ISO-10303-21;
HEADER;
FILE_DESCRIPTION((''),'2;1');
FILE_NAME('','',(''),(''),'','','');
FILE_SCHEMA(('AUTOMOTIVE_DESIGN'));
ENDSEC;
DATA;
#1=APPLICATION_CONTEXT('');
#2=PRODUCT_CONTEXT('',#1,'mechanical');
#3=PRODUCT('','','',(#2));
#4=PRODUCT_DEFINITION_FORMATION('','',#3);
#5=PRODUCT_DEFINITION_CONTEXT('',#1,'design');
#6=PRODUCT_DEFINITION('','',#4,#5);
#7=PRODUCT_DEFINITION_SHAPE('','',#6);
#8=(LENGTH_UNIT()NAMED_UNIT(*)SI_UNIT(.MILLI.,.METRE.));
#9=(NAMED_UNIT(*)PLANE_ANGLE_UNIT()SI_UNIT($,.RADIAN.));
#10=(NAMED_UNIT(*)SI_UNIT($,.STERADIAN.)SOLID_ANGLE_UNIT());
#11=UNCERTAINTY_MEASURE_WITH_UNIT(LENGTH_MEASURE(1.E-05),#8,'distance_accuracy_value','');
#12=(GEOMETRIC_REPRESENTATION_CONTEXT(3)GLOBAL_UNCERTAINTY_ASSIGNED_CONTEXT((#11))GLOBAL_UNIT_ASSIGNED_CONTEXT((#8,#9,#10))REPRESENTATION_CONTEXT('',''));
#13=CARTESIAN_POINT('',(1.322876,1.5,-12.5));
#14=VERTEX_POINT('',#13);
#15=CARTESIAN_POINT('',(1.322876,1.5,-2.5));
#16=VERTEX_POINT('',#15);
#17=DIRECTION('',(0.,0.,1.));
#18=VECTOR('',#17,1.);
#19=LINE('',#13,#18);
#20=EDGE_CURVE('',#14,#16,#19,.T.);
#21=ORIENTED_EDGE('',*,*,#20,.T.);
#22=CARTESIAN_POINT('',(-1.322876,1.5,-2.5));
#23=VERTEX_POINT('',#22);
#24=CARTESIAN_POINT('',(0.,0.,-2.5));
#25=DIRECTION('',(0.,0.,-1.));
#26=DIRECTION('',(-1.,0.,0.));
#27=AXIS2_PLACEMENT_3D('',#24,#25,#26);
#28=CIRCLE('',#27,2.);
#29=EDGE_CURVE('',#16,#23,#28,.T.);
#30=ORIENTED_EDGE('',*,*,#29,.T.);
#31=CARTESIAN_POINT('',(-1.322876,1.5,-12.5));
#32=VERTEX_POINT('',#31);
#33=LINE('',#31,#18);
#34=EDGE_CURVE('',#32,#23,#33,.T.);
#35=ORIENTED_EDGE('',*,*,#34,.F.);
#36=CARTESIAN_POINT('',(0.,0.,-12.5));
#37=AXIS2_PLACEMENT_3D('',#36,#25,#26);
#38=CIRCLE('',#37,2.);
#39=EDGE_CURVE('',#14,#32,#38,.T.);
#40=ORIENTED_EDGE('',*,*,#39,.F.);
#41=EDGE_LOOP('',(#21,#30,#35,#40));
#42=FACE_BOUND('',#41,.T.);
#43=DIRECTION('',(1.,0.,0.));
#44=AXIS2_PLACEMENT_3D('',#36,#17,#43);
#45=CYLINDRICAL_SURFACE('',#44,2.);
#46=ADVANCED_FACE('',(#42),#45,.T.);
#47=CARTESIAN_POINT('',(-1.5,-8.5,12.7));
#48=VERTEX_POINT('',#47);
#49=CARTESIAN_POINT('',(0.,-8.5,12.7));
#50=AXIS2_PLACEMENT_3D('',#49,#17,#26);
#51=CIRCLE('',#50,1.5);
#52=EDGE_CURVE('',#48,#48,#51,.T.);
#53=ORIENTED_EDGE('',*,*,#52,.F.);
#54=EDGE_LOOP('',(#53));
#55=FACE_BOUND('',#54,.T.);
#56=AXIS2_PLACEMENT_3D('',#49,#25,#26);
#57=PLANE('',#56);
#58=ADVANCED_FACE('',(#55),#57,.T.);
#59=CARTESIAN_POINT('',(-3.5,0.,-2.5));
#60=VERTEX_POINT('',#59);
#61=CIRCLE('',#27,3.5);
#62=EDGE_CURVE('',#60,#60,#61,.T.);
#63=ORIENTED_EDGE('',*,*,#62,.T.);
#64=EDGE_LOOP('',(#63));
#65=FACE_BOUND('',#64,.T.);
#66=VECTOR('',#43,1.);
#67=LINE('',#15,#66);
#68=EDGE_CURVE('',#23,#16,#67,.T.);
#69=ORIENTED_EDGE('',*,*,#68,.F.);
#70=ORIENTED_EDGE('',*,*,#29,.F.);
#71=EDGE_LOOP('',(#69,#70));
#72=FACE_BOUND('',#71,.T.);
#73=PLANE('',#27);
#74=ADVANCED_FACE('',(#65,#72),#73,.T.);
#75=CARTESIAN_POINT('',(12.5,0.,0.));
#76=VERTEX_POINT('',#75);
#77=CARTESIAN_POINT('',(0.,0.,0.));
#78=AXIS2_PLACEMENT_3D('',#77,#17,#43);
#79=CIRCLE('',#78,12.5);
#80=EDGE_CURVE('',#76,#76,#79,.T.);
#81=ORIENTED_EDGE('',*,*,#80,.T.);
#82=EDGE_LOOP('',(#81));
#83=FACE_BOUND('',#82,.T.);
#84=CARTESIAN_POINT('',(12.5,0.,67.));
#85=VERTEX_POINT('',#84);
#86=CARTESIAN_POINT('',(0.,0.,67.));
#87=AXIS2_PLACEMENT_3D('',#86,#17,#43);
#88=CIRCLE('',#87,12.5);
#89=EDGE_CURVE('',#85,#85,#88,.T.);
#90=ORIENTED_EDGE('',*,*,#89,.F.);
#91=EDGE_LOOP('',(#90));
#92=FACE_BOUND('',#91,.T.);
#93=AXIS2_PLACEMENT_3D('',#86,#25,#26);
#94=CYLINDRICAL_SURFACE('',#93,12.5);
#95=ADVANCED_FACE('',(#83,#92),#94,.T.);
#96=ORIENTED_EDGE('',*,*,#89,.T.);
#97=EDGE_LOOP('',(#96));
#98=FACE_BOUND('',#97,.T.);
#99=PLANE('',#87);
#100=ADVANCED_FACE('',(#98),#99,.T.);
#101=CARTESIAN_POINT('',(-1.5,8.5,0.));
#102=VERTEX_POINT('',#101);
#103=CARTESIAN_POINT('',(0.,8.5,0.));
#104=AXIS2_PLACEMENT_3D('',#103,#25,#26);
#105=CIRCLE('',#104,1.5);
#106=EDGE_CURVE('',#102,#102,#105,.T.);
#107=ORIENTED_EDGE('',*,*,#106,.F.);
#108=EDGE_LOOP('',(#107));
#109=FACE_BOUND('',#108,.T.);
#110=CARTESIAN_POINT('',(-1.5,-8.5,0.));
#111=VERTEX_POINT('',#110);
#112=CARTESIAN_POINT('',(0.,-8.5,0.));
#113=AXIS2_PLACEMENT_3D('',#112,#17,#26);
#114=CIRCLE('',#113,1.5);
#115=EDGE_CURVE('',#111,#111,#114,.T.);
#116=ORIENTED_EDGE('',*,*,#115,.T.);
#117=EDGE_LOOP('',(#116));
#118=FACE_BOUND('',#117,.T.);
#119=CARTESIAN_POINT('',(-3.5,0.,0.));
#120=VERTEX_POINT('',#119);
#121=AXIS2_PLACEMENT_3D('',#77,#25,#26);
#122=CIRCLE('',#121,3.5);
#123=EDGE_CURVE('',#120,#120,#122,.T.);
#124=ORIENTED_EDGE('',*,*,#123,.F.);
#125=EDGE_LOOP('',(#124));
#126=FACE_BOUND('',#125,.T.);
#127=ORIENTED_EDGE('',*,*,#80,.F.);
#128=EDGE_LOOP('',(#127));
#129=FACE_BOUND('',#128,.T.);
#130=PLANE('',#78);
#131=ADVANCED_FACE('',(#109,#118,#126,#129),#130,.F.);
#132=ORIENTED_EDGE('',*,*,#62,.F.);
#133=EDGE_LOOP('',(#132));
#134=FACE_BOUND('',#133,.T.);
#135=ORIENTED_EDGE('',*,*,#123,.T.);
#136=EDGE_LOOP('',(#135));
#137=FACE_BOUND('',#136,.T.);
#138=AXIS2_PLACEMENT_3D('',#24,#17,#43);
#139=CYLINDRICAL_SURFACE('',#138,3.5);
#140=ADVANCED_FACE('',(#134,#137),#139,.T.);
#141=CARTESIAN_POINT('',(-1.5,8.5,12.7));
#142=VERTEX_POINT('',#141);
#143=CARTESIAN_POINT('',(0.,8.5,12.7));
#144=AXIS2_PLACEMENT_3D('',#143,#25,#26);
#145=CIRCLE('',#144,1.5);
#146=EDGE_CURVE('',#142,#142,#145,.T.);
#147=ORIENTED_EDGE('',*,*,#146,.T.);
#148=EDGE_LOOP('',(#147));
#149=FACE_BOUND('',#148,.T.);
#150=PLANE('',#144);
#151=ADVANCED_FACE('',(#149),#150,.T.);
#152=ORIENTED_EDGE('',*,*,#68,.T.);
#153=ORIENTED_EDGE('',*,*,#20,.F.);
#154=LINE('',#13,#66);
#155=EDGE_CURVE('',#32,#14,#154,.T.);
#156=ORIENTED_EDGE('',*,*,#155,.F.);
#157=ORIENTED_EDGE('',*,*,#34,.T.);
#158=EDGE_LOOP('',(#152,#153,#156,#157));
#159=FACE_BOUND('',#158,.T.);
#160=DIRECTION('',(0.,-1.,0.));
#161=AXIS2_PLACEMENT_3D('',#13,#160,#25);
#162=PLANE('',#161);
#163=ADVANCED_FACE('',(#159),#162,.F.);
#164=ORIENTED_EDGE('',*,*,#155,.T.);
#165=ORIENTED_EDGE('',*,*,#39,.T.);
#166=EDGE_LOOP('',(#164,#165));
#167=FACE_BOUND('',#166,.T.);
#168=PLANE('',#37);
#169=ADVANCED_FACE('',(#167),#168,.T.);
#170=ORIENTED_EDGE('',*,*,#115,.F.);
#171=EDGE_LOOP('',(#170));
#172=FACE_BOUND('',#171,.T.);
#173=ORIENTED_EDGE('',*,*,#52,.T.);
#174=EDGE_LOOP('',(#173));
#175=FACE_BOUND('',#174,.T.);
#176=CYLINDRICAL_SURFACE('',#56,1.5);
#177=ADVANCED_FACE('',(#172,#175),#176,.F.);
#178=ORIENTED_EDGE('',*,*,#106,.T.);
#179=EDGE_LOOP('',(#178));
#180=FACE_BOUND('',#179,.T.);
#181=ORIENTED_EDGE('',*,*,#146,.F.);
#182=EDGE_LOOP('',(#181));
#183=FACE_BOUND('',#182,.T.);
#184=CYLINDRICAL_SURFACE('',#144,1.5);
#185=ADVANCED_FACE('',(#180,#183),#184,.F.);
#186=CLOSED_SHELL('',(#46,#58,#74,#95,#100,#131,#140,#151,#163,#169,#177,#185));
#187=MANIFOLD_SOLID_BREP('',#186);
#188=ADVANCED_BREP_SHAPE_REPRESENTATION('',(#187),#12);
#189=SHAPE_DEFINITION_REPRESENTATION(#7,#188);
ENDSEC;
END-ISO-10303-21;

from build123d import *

# Parameters (mm, degrees)
SKETCH1_R           = 12.5
BOSS_EXTRUDE1_DEPTH = 67
SKETCH2_R           = 3.5
BOSS_EXTRUDE2_DEPTH = 2.5
BOSS_EXTRUDE3_DEPTH = 10
SKETCH4_R           = 1.5
CUT_EXTRUDE1_DEPTH  = 12.7


with BuildPart() as part:
    # Sketch1 → Boss-Extrude1 (new body)
    with BuildSketch(Plane.XY):
        Circle(SKETCH1_R)
    extrude(amount=BOSS_EXTRUDE1_DEPTH)

    # Sketch2 → Boss-Extrude2 (add)
    with BuildSketch(Plane(origin=(0, 0, 0), x_dir=(-1, 0, 0), z_dir=(0, 0, -1))):
        Circle(SKETCH2_R)
    extrude(amount=BOSS_EXTRUDE2_DEPTH)

    # Sketch3 → Boss-Extrude3 (add)
    with BuildSketch(Plane(origin=(0, 0, -2.5), x_dir=(-1, 0, 0), z_dir=(0, 0, -1))):
        with BuildLine():
            Line((-1.322875656, 1.5), (1.322875656, 1.5))
            ThreePointArc((1.322875656, 1.5), (0, -2), (-1.322875656, 1.5))
        make_face()
    extrude(amount=BOSS_EXTRUDE3_DEPTH)

    # Sketch4 → Cut-Extrude1 (cut)
    with BuildSketch(Plane(origin=(0, 0, 0), x_dir=(-1, 0, 0), z_dir=(0, 0, -1))):
        with Locations((0, 8.5)):
            Circle(SKETCH4_R)
    cut_extrude1 = extrude(amount=-CUT_EXTRUDE1_DEPTH, mode=Mode.SUBTRACT)

    # Mirror1: Cut-Extrude1 across plane
    add(cut_extrude1.mirror(Plane.ZX), mode=Mode.SUBTRACT)


solid = part.part
